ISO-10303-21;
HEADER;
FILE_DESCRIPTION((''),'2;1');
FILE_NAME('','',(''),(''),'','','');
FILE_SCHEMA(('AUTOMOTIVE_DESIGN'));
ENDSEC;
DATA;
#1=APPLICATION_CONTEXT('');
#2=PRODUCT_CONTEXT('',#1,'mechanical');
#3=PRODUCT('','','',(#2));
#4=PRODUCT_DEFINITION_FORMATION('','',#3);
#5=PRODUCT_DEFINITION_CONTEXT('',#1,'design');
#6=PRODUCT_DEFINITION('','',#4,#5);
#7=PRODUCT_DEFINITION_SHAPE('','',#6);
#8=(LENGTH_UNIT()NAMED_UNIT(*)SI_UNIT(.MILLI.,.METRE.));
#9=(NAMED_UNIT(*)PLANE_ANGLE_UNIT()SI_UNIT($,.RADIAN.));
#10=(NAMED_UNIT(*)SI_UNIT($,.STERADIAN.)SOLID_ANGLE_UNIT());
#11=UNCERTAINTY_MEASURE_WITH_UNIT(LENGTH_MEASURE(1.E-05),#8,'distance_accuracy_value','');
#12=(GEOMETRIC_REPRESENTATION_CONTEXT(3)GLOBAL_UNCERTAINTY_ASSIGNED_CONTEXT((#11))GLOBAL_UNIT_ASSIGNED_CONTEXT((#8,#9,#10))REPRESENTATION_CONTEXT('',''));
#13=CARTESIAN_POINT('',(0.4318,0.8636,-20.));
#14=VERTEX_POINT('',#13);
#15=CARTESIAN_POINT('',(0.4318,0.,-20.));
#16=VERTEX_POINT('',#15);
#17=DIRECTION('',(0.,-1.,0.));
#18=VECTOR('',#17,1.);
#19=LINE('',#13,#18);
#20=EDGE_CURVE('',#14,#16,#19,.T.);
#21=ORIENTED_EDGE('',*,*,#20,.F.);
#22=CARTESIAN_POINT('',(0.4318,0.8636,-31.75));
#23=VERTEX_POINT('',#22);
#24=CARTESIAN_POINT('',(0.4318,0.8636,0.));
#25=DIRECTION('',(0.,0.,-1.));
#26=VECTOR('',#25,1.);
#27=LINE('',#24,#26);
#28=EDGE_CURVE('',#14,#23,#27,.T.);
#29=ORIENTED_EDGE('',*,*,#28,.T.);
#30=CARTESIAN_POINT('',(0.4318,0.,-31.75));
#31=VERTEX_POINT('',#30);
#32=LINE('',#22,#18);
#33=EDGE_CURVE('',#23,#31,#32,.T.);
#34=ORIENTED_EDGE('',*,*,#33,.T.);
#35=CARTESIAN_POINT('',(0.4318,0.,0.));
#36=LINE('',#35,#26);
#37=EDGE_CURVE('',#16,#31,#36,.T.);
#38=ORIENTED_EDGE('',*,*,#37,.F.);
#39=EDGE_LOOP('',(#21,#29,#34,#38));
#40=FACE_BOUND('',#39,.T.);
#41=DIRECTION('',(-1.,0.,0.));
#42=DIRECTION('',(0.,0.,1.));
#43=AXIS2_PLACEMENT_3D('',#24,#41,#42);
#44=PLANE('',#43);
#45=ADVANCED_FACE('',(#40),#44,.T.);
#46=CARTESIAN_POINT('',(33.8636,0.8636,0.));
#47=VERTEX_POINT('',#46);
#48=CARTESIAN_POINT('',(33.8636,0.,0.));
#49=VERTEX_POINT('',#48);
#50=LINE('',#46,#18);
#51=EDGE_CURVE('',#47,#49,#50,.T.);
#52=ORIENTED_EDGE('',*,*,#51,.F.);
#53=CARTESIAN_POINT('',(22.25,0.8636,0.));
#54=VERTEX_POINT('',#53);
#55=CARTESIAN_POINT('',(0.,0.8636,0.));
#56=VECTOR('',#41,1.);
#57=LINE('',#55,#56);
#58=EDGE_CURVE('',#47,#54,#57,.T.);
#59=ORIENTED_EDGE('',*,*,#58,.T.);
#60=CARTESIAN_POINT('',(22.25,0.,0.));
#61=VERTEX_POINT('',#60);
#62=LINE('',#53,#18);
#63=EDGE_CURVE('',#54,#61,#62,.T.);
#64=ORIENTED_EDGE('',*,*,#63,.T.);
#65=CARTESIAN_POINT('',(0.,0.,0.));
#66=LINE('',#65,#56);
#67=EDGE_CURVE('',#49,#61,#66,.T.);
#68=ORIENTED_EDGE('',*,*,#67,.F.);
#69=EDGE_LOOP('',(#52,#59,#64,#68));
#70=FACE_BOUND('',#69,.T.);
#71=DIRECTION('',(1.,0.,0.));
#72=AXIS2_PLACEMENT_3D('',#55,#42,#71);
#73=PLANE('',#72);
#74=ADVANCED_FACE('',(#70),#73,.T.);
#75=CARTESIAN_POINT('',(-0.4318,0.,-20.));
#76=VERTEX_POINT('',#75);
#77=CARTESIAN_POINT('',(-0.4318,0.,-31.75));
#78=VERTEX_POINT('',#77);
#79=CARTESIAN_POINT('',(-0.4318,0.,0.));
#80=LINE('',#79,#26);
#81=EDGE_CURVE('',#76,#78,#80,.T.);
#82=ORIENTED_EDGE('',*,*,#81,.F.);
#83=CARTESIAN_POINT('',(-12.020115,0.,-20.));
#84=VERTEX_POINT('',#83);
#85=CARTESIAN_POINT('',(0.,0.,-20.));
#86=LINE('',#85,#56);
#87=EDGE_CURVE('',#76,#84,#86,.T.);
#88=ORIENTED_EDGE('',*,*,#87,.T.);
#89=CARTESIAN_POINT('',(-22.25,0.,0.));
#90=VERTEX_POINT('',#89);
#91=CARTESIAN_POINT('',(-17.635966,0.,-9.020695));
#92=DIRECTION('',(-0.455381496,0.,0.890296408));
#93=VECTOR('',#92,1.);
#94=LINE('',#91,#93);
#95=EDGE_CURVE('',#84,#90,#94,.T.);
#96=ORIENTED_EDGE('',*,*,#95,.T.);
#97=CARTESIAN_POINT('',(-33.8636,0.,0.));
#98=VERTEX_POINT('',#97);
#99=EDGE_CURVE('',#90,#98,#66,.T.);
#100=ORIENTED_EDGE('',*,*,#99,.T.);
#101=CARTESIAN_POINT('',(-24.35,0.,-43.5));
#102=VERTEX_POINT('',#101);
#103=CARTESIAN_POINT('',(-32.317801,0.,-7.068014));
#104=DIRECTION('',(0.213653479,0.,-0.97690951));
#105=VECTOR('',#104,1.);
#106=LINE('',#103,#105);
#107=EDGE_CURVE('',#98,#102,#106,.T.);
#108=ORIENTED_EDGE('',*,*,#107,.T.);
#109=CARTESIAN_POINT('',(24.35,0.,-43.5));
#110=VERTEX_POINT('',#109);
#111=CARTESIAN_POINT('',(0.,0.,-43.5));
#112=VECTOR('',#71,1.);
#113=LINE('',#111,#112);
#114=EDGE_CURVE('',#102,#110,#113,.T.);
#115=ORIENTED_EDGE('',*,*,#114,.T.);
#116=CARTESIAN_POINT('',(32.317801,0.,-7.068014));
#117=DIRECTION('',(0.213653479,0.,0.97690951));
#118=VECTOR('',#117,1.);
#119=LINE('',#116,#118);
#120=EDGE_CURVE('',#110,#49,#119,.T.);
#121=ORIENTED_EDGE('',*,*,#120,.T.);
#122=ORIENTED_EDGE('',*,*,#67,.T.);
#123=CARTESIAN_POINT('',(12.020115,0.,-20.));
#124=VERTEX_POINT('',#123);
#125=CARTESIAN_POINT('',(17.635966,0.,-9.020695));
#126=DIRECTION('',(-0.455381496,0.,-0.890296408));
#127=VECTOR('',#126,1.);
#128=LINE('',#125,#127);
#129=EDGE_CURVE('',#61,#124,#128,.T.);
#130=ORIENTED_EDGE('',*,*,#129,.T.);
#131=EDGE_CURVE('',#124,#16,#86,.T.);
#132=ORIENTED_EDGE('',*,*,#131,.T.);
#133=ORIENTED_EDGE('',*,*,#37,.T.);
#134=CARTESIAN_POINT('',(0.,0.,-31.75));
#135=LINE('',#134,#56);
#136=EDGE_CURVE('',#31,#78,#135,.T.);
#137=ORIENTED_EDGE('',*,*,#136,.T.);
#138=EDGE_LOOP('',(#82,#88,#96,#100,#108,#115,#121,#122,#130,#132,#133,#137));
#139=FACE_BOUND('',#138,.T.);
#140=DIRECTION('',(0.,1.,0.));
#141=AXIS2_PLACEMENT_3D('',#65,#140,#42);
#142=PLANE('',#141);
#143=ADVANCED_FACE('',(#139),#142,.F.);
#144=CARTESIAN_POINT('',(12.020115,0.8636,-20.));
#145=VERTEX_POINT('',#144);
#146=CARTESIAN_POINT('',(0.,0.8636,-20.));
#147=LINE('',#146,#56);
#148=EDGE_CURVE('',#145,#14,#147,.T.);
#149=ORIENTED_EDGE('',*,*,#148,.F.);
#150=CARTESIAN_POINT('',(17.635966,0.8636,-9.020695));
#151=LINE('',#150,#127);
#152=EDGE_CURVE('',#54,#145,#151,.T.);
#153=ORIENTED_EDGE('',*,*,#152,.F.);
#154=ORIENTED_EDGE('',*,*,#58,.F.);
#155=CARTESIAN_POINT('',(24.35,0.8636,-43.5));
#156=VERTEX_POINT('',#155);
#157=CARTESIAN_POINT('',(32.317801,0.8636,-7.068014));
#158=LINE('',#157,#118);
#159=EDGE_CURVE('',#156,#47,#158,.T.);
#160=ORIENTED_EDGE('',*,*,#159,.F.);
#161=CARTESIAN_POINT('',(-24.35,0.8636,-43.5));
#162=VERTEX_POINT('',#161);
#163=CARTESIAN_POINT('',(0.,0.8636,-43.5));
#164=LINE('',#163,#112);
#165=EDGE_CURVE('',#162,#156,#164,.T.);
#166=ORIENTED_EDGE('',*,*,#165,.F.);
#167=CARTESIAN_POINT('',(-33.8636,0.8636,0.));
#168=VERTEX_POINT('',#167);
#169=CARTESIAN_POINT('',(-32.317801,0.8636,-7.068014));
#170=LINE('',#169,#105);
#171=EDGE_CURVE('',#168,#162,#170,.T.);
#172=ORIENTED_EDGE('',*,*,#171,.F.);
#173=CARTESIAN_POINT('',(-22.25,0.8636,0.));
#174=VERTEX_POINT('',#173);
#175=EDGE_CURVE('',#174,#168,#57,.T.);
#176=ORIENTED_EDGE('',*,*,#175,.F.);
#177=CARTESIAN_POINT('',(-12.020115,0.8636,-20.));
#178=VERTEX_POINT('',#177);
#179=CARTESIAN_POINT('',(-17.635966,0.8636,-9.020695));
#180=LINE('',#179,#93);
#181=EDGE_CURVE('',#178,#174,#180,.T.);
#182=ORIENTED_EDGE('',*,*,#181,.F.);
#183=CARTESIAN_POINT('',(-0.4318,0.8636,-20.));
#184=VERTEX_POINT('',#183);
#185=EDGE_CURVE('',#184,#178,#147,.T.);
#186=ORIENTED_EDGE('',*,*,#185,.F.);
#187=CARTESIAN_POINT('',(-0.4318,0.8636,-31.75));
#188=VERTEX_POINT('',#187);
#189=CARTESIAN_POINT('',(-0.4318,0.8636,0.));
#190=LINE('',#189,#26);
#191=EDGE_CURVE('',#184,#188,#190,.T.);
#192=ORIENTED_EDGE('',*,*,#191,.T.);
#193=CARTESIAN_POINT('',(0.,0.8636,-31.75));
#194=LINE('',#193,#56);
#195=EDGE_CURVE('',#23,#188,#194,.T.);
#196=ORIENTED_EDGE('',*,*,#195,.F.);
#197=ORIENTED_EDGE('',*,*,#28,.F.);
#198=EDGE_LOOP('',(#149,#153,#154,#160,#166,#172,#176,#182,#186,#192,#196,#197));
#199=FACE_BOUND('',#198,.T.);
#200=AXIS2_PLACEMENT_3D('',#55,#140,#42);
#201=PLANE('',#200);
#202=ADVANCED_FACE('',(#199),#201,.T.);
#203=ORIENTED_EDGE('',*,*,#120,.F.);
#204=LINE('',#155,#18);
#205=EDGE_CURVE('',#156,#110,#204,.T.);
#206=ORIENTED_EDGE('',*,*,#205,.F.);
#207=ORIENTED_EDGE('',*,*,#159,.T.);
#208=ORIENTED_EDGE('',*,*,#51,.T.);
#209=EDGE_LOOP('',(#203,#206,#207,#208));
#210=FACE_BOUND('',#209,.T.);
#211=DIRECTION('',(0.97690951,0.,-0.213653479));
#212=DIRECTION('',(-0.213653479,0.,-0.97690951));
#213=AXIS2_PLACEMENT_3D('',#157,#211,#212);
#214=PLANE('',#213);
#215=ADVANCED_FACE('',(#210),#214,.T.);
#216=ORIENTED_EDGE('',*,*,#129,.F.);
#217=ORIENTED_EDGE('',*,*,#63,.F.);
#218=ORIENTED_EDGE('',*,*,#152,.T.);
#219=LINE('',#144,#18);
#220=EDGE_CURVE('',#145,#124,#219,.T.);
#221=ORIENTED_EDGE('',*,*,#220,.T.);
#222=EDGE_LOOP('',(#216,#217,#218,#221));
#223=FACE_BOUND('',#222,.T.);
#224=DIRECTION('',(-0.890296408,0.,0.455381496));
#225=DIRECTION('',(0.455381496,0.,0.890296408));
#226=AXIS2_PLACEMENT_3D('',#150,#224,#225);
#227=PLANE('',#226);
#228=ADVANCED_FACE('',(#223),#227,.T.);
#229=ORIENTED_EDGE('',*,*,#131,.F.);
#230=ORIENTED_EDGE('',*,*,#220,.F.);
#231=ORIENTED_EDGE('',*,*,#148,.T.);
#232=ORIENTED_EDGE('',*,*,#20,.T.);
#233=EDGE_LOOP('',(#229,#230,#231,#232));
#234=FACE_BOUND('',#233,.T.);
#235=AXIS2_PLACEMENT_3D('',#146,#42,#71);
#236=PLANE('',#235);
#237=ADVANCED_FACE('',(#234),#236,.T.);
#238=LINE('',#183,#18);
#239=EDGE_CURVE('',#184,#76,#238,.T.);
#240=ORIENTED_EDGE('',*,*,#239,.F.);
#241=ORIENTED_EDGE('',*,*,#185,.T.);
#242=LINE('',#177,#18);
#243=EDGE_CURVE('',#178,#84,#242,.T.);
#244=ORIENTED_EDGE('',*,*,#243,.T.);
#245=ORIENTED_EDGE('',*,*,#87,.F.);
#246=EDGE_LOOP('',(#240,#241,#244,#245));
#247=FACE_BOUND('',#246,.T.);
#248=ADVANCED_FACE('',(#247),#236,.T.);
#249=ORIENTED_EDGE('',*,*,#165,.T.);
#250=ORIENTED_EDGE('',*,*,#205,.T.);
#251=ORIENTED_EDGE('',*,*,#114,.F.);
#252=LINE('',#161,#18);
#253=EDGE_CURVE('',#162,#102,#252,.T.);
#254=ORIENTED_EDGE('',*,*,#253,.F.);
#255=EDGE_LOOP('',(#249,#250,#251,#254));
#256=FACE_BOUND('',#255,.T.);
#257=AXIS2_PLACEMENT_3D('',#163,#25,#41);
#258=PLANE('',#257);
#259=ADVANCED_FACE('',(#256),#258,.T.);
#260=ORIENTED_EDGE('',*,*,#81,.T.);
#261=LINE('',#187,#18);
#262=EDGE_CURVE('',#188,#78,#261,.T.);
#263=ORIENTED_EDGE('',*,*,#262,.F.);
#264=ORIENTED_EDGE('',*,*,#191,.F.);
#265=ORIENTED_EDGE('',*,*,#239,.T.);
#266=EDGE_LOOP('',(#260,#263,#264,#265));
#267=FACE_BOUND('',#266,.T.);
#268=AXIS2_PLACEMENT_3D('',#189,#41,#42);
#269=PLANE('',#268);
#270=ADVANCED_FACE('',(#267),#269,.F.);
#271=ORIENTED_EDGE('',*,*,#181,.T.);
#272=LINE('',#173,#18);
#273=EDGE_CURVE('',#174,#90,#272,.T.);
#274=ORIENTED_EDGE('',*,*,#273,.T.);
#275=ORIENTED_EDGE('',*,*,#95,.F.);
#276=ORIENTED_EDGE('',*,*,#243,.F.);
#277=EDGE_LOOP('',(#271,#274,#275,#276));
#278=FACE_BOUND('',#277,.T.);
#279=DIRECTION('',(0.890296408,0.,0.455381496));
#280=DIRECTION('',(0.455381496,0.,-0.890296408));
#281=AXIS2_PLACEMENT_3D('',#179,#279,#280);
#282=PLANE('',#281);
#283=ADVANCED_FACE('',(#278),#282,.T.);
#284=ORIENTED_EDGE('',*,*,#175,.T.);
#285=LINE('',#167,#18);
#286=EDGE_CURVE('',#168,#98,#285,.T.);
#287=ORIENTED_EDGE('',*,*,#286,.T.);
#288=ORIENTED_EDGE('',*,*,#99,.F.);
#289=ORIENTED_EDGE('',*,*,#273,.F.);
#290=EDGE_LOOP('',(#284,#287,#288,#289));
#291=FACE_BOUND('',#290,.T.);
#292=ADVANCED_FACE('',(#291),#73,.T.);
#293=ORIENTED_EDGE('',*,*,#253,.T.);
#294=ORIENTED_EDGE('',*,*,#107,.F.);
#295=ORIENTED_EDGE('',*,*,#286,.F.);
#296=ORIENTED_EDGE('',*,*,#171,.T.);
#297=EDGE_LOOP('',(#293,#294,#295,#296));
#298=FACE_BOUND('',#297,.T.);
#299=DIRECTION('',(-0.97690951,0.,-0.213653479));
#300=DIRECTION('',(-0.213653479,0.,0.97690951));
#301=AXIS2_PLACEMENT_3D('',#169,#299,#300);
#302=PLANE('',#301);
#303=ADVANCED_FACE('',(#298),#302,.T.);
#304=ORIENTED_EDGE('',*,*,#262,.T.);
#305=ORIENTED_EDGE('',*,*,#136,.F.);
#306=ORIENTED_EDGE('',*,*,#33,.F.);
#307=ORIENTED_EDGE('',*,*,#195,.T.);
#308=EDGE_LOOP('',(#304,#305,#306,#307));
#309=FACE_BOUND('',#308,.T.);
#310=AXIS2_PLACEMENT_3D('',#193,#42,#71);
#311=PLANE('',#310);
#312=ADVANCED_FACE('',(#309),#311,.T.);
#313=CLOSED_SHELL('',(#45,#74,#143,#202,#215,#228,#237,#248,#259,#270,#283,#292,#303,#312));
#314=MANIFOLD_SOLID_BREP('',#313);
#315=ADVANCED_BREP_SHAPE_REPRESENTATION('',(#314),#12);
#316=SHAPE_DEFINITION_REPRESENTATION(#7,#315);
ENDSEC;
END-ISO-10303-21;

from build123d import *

# Parameters (mm, degrees)
BOSS_EXTRUDE1_DEPTH = 0.8636


with BuildPart() as part:
    # Sketch1 → Boss-Extrude1 (new body)
    with BuildSketch(Plane(origin=(0, 0, 0), x_dir=(1, 0, 0), z_dir=(0, 1, 0))):
        Polygon((-33.8636, 0), (-22.25, 0), (-12.020114943, 20), (-0.4318, 20), (-0.4318, 31.75), (0.4318, 31.75), (0.4318, 20), (12.020114943, 20), (22.25, 0), (33.8636, 0), (24.35, 43.5), (-24.35, 43.5), align=None)
    extrude(amount=BOSS_EXTRUDE1_DEPTH)


solid = part.part
